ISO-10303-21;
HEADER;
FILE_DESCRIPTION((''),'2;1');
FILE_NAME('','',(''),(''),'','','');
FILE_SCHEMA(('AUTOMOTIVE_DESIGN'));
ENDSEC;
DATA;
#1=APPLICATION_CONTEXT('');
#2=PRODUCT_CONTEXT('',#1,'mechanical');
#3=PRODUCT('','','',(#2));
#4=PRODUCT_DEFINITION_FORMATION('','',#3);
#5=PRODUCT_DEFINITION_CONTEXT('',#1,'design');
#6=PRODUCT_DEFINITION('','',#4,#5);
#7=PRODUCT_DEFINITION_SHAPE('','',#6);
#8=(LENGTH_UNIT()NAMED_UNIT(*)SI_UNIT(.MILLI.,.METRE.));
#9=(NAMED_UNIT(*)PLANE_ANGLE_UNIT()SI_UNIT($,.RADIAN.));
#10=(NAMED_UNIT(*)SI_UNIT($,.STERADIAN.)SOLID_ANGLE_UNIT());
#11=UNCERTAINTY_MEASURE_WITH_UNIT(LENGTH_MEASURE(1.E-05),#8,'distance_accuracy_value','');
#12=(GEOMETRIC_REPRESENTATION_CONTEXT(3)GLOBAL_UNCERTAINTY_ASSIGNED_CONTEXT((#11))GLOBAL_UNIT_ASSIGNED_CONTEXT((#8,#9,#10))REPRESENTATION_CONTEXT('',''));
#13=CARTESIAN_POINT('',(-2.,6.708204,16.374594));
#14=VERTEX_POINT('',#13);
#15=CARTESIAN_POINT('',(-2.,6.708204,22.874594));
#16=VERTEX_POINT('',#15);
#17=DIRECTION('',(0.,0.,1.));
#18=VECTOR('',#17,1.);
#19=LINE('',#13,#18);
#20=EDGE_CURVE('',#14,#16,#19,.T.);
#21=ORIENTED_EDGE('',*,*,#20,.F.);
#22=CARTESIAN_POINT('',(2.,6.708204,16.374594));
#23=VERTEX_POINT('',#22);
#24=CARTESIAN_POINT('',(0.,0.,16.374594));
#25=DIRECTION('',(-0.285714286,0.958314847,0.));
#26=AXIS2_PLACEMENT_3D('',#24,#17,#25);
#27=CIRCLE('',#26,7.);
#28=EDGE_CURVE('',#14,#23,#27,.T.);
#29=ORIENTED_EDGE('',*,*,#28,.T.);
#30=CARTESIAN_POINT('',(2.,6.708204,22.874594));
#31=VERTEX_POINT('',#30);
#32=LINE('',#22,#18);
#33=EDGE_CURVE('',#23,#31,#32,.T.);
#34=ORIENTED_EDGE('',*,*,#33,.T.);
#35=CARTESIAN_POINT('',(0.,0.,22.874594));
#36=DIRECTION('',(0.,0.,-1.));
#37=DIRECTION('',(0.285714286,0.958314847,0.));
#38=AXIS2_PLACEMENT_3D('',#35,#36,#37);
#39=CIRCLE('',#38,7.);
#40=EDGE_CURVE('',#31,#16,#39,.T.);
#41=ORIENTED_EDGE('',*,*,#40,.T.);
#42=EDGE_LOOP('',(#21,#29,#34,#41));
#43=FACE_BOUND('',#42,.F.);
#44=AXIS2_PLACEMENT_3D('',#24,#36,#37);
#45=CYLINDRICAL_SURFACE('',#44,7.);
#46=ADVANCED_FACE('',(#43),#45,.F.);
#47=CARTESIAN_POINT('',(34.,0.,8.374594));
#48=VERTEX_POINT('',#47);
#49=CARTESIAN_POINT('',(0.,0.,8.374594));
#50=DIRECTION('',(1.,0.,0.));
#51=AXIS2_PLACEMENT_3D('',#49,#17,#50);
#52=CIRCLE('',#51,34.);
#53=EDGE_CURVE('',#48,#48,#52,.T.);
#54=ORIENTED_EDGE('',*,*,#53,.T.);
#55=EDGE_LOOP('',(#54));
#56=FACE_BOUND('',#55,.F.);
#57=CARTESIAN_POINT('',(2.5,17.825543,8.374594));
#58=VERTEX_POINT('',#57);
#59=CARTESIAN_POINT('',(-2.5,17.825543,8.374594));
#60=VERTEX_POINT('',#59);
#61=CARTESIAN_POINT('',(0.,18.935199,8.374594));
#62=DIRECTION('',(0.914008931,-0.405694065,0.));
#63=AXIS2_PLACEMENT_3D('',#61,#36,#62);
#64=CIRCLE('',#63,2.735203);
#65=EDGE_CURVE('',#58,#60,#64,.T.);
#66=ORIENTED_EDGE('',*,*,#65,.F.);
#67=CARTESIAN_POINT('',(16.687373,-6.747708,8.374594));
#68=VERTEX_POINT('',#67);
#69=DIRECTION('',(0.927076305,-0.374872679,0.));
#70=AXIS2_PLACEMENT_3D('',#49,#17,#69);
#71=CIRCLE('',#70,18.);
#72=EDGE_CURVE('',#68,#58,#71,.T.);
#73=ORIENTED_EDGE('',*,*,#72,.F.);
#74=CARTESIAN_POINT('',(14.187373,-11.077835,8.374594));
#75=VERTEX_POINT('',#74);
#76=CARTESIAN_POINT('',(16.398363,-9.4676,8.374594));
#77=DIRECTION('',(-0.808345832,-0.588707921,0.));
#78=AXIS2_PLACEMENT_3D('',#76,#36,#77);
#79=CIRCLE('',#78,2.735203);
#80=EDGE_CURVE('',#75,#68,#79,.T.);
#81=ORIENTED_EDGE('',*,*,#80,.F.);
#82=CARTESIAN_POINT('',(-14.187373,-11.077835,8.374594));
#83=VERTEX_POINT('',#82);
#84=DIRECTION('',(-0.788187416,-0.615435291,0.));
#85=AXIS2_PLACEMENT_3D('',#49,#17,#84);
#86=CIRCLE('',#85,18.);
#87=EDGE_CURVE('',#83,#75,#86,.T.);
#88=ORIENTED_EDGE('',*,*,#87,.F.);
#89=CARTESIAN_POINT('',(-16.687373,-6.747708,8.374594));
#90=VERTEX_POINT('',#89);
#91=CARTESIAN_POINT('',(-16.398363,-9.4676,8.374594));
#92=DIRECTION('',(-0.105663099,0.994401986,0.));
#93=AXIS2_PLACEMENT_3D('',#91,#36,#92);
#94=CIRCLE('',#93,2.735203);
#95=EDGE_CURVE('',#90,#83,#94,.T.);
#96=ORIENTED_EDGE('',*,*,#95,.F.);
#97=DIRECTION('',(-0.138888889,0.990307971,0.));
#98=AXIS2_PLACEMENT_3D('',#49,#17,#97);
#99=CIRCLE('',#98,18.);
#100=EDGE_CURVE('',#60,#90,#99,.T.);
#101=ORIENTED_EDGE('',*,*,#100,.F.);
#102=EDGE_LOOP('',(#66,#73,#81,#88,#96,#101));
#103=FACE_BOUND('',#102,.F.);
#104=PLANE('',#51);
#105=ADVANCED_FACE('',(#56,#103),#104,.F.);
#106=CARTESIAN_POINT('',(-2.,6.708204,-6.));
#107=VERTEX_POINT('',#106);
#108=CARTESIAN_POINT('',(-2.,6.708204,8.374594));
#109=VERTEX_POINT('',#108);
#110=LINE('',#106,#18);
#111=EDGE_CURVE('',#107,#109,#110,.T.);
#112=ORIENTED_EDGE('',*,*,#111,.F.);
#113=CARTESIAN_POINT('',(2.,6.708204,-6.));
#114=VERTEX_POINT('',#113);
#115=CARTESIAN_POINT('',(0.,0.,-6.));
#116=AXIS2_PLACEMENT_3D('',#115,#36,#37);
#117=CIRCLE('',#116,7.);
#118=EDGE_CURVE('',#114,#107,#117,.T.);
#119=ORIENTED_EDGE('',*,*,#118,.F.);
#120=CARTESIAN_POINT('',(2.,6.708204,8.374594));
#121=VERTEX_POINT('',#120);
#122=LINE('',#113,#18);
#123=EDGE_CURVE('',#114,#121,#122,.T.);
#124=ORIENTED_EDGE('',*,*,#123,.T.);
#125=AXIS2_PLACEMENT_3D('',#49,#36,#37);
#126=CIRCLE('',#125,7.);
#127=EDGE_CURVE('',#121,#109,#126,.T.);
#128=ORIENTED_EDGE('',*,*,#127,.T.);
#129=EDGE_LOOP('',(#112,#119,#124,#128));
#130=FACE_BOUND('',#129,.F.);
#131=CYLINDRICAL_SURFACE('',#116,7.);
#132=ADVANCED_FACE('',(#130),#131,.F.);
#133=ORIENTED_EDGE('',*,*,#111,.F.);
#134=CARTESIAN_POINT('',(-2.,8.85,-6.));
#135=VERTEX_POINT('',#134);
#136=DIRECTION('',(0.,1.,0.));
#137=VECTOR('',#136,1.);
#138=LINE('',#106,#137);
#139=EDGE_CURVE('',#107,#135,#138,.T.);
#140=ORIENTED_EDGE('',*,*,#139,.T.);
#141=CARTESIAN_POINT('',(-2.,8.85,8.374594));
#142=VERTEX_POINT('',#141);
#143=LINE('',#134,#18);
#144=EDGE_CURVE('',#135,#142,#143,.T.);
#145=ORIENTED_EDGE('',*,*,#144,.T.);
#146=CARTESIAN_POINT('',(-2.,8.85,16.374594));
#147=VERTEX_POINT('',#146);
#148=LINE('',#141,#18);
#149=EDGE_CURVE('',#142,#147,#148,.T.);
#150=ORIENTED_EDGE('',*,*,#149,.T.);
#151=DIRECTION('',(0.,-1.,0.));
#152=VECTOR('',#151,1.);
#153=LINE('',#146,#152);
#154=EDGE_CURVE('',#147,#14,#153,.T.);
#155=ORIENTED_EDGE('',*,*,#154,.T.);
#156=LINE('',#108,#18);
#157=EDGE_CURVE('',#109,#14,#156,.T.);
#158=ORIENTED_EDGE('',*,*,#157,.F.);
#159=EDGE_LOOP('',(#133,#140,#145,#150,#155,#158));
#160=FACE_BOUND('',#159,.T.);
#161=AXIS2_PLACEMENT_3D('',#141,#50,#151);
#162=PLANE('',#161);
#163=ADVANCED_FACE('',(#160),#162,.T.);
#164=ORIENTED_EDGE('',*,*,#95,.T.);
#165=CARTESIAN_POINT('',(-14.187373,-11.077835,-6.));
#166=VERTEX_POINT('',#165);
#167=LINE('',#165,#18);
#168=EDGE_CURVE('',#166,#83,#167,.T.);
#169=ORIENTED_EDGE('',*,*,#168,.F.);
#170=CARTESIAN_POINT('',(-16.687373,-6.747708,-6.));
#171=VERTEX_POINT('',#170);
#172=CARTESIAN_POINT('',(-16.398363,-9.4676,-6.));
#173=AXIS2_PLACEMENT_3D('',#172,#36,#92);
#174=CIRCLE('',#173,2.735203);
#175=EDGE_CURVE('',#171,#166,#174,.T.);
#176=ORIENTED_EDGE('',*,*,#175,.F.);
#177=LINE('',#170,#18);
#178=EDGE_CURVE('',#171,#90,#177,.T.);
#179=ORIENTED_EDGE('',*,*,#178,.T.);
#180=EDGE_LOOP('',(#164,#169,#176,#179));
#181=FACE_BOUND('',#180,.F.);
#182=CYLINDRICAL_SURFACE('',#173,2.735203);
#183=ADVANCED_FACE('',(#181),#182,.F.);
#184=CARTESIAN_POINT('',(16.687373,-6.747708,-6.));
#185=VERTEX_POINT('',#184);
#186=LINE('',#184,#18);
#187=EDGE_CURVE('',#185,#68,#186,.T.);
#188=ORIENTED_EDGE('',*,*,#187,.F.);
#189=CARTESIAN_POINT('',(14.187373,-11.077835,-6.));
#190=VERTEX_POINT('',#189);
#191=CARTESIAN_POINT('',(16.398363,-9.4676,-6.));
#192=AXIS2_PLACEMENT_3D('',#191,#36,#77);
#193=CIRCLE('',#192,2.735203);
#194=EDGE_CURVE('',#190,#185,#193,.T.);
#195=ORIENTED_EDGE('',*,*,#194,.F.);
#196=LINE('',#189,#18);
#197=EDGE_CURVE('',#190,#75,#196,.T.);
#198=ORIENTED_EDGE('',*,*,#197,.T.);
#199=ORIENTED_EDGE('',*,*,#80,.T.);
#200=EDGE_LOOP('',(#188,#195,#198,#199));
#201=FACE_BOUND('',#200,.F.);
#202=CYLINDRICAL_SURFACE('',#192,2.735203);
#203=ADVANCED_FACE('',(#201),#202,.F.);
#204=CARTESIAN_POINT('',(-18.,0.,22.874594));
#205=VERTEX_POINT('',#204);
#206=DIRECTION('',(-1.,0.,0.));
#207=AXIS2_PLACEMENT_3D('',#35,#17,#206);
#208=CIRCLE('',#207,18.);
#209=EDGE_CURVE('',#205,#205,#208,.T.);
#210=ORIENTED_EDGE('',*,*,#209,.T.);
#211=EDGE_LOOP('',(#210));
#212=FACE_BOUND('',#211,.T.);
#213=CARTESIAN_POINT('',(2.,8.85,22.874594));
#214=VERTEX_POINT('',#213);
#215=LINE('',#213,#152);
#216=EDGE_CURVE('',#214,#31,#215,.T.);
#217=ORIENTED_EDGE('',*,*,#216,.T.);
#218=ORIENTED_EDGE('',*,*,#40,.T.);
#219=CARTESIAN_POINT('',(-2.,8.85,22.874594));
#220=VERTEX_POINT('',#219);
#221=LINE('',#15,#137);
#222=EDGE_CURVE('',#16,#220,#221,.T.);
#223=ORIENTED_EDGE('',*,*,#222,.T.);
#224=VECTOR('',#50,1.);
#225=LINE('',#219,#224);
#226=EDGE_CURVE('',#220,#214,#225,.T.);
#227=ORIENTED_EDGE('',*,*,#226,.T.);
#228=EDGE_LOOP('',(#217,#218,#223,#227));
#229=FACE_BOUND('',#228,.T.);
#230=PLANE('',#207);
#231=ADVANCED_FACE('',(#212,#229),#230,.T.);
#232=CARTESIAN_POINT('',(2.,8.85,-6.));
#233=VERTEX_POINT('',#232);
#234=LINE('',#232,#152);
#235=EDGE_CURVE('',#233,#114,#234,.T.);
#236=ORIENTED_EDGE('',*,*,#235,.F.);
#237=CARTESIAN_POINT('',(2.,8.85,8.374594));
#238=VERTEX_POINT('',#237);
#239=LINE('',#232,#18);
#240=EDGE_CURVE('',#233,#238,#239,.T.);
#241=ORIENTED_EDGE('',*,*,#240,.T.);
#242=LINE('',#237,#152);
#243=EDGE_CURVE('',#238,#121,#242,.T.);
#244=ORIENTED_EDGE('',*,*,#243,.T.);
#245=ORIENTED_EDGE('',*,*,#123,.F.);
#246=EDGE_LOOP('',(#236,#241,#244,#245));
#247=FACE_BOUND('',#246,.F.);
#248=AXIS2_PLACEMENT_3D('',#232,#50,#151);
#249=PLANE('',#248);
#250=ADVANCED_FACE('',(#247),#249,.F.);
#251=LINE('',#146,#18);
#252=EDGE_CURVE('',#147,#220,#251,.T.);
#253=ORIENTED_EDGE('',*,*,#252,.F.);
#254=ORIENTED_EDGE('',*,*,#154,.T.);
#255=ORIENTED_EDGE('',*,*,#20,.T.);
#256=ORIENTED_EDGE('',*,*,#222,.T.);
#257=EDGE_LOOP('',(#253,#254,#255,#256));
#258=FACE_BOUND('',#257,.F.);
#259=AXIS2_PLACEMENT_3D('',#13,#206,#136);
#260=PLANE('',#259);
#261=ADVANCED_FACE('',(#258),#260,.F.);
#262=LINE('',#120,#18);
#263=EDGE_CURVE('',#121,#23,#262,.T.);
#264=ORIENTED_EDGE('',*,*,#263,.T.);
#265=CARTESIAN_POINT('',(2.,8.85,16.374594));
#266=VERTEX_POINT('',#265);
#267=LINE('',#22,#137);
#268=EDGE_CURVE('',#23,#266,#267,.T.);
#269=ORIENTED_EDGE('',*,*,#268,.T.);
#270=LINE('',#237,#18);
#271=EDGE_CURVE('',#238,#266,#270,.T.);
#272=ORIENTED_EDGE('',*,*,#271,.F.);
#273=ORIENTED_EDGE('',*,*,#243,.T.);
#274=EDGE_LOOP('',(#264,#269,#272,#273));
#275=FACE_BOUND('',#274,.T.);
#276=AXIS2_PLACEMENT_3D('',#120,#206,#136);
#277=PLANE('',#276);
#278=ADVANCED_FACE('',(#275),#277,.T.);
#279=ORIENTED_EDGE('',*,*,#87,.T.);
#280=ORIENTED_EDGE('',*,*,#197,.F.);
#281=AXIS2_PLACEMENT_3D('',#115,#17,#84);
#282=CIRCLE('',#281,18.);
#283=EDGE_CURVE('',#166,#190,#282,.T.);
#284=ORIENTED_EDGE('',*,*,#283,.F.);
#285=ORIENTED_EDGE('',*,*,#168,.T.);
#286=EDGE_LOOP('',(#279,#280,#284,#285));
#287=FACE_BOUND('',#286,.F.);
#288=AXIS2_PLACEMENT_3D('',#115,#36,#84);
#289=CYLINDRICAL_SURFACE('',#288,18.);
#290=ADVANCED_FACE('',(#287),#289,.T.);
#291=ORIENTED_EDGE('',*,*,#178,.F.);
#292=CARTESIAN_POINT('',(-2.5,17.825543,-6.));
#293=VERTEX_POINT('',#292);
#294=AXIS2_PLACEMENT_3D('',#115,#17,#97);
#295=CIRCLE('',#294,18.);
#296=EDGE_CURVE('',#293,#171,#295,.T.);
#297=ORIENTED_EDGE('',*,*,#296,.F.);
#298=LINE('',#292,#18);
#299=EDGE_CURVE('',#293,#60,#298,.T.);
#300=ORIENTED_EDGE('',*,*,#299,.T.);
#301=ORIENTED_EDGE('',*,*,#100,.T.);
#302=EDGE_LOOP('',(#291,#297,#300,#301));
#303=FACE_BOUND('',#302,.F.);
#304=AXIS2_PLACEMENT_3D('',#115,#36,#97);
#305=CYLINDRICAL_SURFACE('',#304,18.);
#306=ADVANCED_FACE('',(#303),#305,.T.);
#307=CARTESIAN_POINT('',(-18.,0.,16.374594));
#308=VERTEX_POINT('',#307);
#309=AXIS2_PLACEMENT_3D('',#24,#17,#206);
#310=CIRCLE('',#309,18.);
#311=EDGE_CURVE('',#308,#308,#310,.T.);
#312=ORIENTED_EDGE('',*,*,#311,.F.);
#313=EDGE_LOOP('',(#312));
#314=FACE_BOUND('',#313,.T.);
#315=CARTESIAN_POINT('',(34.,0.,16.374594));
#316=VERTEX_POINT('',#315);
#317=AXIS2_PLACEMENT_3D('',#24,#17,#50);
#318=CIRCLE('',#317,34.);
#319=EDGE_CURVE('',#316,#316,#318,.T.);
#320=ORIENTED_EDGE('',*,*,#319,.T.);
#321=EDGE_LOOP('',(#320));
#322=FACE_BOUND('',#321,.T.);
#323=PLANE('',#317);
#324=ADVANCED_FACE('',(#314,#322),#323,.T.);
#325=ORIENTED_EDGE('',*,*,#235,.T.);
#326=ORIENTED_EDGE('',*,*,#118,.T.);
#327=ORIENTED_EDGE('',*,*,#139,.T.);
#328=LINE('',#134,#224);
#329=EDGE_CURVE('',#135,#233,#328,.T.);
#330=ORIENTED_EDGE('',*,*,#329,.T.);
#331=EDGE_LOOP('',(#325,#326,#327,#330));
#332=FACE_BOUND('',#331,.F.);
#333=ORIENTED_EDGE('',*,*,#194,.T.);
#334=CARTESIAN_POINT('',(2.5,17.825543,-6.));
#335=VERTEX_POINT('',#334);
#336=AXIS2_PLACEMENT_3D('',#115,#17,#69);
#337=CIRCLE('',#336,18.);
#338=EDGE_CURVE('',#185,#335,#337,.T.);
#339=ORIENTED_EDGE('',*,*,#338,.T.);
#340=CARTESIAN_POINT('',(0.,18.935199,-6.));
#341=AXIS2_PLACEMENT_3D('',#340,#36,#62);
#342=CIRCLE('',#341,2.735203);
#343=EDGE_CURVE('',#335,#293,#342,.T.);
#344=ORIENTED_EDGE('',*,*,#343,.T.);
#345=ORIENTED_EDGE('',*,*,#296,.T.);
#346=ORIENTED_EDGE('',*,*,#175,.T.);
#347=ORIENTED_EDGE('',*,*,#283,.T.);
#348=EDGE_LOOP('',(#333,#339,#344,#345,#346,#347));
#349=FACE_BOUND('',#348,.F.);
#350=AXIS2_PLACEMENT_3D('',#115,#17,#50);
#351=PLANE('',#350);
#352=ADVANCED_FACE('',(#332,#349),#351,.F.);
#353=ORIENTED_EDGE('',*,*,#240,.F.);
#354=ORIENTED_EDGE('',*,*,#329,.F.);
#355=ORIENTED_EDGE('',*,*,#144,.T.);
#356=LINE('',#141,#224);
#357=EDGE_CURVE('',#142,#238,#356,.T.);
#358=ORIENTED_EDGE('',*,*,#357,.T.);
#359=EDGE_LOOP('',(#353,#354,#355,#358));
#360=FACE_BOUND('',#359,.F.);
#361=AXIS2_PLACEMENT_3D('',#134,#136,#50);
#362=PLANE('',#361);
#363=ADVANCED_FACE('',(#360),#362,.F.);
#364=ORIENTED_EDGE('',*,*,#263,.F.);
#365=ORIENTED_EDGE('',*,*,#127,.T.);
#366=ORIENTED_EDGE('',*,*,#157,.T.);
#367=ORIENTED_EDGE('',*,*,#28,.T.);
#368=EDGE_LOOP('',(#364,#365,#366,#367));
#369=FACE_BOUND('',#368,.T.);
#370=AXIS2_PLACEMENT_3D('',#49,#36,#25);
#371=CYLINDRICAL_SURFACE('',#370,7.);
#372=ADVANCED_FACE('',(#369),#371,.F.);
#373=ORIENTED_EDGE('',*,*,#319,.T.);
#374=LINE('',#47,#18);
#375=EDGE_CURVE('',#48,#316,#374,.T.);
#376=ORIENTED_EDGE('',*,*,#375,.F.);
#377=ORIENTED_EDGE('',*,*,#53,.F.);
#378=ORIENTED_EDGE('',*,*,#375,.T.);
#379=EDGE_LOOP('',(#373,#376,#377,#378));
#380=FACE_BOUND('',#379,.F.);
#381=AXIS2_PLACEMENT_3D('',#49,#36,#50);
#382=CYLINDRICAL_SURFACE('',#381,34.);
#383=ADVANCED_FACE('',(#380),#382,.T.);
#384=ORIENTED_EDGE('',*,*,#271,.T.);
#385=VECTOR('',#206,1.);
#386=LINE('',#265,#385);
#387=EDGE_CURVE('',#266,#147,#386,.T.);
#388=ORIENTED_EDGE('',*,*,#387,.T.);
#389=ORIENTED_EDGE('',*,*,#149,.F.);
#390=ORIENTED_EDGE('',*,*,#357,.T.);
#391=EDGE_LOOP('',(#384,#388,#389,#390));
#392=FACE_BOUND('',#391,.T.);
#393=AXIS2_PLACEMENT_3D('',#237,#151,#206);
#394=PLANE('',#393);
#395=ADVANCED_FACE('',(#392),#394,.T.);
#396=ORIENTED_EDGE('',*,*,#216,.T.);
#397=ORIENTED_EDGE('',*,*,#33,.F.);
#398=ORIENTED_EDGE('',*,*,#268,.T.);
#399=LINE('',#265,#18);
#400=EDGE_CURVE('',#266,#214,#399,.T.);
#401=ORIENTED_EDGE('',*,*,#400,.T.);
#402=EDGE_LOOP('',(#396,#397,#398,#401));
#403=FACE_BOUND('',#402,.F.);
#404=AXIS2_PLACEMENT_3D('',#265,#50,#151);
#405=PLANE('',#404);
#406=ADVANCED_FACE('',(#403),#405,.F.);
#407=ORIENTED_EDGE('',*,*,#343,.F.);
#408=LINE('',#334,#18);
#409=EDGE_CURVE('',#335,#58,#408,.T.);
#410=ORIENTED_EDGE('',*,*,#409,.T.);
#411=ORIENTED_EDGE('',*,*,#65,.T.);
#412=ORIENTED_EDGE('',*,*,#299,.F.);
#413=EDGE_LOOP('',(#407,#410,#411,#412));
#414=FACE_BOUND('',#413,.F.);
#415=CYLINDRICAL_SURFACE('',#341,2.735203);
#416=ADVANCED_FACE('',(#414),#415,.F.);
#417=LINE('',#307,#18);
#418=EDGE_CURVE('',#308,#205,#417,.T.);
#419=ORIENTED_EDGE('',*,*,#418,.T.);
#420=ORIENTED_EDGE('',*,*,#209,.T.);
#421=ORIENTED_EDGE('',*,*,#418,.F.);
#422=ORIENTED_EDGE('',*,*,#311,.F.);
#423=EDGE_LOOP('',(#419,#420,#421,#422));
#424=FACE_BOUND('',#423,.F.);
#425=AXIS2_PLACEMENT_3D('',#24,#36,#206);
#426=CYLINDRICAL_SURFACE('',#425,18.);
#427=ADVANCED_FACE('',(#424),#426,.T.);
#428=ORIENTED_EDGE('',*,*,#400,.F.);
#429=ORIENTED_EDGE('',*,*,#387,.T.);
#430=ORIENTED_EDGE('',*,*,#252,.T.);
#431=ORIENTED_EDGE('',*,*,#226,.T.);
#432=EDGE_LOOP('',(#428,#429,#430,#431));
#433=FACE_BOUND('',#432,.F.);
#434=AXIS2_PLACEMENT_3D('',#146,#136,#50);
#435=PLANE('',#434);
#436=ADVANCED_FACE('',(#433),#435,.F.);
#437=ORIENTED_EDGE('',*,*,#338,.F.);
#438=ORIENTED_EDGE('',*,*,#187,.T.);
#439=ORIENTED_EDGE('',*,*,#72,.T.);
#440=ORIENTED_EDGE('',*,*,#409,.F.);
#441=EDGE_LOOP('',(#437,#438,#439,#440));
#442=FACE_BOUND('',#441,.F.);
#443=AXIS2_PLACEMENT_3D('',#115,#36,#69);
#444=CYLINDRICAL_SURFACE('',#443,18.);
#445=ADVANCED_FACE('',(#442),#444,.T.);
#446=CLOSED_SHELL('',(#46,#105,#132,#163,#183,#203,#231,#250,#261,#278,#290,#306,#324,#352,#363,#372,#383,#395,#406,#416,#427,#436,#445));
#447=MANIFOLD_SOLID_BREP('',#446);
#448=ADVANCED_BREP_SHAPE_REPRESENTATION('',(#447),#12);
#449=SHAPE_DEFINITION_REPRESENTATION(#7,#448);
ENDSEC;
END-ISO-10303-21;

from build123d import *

# Parameters (mm, degrees)
EXTRUDE_START   = -6
EXTRUDE_1_DEPTH = 14.374594
SKETCH_3_R      = 34
EXTRUDE_2_DEPTH = 8
SKETCH_5_R      = 18
EXTRUDE_3_DEPTH = 6.5


with BuildPart() as part:
    # Эскиз1 → Вытянуть1 (new body)
    with BuildSketch(Plane.XY.offset(EXTRUDE_START)):
        with BuildLine():
            ThreePointArc((-2.5, 17.82554347), (-15.588457268, 9), (-16.687373481, -6.747708226))
            ThreePointArc((-16.687373481, -6.747708226), (-14.029608141, -8.099998037), (-14.187373481, -11.077835244))
            ThreePointArc((-14.187373481, -11.077835244), (0, -18), (14.187373481, -11.077835244))
            ThreePointArc((14.187373481, -11.077835244), (14.029608141, -8.099998037), (16.687373481, -6.747708226))
            ThreePointArc((16.687373481, -6.747708226), (15.588457268, 9), (2.5, 17.82554347))
            ThreePointArc((2.5, 17.82554347), (0, 16.199996074), (-2.5, 17.82554347))
        make_face()
        with BuildLine():
            Line((-2, 8.85), (2, 8.85))
            Line((2, 8.85), (2, 6.708203932))
            ThreePointArc((2, 6.708203932), (0, -7), (-2, 6.708203932))
            Line((-2, 6.708203932), (-2, 8.85))
        make_face(mode=Mode.SUBTRACT)
    extrude(amount=EXTRUDE_1_DEPTH)

    # Эскиз3 → Вытянуть2 (add)
    with BuildSketch(Plane.XY.offset(8.374593773)):
        Circle(SKETCH_3_R)
        with BuildLine():
            Line((-2, 8.85), (-2, 6.708203932))
            ThreePointArc((-2, 6.708203932), (0, -7), (2, 6.708203932))
            Line((2, 6.708203932), (2, 8.85))
            Line((2, 8.85), (-2, 8.85))
        make_face(mode=Mode.SUBTRACT)
    extrude(amount=EXTRUDE_2_DEPTH)

    # Эскиз5 → Вытянуть3 (add)
    with BuildSketch(Plane.XY.offset(16.374593773)):
        with Locations(Location((0, 0, 0), (0, 0, 180))):
            Circle(SKETCH_5_R)
        with BuildLine():
            Line((-2, 6.708203932), (-2, 8.85))
            Line((-2, 8.85), (2, 8.85))
            Line((2, 8.85), (2, 6.708203932))
            ThreePointArc((2, 6.708203932), (0, -7), (-2, 6.708203932))
        make_face(mode=Mode.SUBTRACT)
    extrude(amount=EXTRUDE_3_DEPTH)


solid = part.part
